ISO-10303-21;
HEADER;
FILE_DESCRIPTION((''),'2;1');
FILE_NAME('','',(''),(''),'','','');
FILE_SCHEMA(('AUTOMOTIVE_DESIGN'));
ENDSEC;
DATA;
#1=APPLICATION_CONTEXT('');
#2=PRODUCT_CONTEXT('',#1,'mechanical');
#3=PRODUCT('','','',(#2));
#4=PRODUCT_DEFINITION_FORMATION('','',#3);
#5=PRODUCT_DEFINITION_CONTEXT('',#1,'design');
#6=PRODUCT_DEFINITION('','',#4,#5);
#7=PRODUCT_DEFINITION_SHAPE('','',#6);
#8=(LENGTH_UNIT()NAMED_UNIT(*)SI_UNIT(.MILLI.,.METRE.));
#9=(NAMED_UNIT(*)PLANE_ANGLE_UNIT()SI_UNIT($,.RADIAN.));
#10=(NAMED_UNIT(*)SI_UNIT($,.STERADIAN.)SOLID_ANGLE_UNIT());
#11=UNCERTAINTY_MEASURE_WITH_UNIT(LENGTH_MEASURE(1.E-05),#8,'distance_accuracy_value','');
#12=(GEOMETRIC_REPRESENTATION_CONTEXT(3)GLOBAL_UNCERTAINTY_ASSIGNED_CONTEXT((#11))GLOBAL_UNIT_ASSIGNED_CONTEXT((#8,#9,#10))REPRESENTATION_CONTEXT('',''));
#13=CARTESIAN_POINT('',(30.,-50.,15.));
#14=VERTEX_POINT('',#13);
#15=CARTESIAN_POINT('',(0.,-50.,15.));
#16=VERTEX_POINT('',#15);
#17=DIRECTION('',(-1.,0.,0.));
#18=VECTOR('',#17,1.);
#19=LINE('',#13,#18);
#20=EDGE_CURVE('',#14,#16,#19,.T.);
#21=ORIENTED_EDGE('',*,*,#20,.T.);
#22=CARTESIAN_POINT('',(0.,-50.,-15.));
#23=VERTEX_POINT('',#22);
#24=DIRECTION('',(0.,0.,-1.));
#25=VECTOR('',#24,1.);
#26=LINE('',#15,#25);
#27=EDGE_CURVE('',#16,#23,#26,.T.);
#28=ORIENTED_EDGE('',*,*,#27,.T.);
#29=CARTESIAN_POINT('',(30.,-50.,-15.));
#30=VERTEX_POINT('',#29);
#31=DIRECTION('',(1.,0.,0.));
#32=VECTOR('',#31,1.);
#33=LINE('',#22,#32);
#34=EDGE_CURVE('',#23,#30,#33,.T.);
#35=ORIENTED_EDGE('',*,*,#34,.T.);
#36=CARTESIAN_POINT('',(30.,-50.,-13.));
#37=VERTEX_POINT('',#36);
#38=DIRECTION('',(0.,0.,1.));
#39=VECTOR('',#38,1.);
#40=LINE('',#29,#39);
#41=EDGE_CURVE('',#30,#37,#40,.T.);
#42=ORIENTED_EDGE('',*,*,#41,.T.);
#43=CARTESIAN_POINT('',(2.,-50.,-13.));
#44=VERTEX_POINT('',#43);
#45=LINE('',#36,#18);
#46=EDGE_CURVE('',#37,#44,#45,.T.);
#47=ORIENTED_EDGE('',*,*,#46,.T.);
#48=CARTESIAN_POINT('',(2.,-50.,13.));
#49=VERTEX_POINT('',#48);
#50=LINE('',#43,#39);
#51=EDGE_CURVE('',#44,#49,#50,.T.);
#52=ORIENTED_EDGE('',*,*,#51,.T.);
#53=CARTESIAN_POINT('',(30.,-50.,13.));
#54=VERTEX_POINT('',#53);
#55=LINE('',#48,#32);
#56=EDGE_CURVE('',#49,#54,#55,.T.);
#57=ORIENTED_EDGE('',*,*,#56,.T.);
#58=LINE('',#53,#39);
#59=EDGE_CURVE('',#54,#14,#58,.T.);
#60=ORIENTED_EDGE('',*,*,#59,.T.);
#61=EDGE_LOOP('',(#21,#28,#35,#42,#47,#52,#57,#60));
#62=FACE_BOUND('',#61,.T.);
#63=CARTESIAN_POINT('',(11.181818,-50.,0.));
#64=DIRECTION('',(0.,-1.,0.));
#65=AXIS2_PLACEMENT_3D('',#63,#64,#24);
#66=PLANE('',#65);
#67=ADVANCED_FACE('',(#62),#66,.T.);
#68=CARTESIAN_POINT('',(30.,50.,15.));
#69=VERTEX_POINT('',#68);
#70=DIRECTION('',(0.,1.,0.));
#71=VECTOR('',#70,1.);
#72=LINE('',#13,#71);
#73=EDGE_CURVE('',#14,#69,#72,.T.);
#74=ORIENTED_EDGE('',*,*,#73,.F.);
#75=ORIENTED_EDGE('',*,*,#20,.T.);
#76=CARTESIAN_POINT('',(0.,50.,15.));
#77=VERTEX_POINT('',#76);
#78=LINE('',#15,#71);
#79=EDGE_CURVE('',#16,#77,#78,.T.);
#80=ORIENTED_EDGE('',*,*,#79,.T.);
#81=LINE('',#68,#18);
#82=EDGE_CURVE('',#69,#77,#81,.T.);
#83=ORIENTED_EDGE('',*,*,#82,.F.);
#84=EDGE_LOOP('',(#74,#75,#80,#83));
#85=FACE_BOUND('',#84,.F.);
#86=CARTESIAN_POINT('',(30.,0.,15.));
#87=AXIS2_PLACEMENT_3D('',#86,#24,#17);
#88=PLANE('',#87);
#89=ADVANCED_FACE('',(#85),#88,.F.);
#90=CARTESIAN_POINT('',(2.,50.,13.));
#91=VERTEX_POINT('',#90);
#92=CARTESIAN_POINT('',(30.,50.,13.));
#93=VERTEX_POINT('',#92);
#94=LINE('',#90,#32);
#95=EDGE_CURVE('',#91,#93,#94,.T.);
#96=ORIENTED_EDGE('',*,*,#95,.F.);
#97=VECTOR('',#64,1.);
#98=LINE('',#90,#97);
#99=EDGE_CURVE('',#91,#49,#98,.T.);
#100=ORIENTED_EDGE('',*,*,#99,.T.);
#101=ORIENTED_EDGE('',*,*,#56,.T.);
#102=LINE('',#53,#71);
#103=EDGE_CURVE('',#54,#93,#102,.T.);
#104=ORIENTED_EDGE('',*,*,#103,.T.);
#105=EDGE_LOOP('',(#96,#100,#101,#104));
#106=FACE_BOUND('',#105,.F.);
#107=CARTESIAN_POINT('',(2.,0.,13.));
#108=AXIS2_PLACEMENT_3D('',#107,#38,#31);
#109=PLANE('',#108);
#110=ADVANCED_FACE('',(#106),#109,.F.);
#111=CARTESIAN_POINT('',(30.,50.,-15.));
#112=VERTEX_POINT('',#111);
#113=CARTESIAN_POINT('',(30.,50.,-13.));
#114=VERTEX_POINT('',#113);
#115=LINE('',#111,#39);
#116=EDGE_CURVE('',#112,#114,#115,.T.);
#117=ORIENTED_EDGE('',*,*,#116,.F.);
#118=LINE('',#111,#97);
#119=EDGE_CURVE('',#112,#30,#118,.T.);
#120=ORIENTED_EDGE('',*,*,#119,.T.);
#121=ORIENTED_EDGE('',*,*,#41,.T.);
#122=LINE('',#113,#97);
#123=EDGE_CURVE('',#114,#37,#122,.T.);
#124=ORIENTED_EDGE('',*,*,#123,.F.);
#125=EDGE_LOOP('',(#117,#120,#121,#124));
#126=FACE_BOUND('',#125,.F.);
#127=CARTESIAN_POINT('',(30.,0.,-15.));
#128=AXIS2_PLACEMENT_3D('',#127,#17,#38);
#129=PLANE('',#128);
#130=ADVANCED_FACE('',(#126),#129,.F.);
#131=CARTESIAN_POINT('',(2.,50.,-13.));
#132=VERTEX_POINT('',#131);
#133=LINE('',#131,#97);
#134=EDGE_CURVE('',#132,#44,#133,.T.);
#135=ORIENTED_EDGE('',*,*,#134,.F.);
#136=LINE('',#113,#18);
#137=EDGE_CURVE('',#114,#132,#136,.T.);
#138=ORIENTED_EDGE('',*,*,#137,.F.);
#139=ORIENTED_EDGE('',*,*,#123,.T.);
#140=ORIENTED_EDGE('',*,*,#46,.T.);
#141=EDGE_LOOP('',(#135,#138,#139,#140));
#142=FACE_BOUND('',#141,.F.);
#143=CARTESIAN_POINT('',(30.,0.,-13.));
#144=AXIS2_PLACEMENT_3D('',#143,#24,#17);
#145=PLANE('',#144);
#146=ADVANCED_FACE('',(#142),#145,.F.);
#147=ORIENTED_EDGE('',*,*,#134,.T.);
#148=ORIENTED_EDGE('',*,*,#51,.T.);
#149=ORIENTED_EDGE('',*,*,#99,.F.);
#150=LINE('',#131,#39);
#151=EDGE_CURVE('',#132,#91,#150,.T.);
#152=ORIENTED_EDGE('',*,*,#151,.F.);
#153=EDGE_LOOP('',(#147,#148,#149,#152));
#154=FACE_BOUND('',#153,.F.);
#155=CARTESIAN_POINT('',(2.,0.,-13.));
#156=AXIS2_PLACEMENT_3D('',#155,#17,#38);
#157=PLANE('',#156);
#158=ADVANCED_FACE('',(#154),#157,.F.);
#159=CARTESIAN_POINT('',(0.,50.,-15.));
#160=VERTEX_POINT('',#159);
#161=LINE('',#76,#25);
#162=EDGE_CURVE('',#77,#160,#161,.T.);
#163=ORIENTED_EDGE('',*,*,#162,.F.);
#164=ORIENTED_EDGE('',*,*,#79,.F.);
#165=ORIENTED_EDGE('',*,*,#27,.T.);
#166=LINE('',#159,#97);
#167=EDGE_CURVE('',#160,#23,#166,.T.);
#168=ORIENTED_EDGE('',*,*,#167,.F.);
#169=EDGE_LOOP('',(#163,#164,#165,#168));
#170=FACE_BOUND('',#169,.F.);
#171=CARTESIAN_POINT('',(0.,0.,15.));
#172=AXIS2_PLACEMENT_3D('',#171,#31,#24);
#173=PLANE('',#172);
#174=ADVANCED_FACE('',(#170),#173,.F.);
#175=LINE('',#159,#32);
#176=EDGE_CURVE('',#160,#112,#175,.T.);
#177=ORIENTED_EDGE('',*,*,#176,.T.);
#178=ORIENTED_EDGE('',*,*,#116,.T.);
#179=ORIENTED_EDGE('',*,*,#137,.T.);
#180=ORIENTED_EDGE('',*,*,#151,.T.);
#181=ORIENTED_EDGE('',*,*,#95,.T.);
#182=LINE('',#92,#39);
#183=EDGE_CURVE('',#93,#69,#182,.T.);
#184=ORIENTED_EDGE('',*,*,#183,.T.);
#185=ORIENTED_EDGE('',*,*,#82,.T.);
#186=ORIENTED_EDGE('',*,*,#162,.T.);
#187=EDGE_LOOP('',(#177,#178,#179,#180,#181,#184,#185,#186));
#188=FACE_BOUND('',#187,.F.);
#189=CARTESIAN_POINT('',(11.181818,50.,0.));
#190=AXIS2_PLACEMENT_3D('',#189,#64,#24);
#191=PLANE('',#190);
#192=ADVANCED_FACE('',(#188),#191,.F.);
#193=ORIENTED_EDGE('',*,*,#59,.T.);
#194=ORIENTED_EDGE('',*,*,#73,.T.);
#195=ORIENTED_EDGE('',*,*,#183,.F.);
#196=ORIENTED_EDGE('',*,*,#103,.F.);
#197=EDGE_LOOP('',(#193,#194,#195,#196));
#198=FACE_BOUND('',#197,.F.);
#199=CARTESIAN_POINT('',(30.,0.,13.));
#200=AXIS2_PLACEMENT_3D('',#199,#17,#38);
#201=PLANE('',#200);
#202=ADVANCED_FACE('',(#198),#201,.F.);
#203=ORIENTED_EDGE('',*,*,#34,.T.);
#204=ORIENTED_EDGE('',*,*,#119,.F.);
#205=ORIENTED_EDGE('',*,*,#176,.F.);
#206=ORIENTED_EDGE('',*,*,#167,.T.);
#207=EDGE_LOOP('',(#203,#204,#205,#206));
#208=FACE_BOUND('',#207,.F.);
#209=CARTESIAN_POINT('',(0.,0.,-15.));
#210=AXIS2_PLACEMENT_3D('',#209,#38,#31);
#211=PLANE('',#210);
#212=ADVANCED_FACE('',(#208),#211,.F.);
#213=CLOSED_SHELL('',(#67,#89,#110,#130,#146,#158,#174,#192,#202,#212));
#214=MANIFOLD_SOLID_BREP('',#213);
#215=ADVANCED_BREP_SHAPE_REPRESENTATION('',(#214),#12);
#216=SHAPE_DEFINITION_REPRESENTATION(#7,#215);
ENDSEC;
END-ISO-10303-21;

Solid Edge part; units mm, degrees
sketch "Sketch1" plane through (0, 0, 0) normal (0, -1, 0) x (1, 0, 0)
  line L0 (0, 15) -> (0, -15)
  line L1 (0, -15) -> (30, -15)
  line L2 (30, -15) -> (30, -13)
  line L3 (30, -13) -> (2, -13)
  line L4 (2, -13) -> (2, 13)
  line L5 (2, 13) -> (30, 13)
  line L6 (30, 13) -> (30, 15)
  line L7 (30, 15) -> (0, 15)
  dimension "D1" = 2
  dimension "D2" = 30
  dimension "D3" = 28
extrude "Protrusion1" add sketch "Sketch1" along normal mid plane 100
properties material "Aluminum, 1060"
